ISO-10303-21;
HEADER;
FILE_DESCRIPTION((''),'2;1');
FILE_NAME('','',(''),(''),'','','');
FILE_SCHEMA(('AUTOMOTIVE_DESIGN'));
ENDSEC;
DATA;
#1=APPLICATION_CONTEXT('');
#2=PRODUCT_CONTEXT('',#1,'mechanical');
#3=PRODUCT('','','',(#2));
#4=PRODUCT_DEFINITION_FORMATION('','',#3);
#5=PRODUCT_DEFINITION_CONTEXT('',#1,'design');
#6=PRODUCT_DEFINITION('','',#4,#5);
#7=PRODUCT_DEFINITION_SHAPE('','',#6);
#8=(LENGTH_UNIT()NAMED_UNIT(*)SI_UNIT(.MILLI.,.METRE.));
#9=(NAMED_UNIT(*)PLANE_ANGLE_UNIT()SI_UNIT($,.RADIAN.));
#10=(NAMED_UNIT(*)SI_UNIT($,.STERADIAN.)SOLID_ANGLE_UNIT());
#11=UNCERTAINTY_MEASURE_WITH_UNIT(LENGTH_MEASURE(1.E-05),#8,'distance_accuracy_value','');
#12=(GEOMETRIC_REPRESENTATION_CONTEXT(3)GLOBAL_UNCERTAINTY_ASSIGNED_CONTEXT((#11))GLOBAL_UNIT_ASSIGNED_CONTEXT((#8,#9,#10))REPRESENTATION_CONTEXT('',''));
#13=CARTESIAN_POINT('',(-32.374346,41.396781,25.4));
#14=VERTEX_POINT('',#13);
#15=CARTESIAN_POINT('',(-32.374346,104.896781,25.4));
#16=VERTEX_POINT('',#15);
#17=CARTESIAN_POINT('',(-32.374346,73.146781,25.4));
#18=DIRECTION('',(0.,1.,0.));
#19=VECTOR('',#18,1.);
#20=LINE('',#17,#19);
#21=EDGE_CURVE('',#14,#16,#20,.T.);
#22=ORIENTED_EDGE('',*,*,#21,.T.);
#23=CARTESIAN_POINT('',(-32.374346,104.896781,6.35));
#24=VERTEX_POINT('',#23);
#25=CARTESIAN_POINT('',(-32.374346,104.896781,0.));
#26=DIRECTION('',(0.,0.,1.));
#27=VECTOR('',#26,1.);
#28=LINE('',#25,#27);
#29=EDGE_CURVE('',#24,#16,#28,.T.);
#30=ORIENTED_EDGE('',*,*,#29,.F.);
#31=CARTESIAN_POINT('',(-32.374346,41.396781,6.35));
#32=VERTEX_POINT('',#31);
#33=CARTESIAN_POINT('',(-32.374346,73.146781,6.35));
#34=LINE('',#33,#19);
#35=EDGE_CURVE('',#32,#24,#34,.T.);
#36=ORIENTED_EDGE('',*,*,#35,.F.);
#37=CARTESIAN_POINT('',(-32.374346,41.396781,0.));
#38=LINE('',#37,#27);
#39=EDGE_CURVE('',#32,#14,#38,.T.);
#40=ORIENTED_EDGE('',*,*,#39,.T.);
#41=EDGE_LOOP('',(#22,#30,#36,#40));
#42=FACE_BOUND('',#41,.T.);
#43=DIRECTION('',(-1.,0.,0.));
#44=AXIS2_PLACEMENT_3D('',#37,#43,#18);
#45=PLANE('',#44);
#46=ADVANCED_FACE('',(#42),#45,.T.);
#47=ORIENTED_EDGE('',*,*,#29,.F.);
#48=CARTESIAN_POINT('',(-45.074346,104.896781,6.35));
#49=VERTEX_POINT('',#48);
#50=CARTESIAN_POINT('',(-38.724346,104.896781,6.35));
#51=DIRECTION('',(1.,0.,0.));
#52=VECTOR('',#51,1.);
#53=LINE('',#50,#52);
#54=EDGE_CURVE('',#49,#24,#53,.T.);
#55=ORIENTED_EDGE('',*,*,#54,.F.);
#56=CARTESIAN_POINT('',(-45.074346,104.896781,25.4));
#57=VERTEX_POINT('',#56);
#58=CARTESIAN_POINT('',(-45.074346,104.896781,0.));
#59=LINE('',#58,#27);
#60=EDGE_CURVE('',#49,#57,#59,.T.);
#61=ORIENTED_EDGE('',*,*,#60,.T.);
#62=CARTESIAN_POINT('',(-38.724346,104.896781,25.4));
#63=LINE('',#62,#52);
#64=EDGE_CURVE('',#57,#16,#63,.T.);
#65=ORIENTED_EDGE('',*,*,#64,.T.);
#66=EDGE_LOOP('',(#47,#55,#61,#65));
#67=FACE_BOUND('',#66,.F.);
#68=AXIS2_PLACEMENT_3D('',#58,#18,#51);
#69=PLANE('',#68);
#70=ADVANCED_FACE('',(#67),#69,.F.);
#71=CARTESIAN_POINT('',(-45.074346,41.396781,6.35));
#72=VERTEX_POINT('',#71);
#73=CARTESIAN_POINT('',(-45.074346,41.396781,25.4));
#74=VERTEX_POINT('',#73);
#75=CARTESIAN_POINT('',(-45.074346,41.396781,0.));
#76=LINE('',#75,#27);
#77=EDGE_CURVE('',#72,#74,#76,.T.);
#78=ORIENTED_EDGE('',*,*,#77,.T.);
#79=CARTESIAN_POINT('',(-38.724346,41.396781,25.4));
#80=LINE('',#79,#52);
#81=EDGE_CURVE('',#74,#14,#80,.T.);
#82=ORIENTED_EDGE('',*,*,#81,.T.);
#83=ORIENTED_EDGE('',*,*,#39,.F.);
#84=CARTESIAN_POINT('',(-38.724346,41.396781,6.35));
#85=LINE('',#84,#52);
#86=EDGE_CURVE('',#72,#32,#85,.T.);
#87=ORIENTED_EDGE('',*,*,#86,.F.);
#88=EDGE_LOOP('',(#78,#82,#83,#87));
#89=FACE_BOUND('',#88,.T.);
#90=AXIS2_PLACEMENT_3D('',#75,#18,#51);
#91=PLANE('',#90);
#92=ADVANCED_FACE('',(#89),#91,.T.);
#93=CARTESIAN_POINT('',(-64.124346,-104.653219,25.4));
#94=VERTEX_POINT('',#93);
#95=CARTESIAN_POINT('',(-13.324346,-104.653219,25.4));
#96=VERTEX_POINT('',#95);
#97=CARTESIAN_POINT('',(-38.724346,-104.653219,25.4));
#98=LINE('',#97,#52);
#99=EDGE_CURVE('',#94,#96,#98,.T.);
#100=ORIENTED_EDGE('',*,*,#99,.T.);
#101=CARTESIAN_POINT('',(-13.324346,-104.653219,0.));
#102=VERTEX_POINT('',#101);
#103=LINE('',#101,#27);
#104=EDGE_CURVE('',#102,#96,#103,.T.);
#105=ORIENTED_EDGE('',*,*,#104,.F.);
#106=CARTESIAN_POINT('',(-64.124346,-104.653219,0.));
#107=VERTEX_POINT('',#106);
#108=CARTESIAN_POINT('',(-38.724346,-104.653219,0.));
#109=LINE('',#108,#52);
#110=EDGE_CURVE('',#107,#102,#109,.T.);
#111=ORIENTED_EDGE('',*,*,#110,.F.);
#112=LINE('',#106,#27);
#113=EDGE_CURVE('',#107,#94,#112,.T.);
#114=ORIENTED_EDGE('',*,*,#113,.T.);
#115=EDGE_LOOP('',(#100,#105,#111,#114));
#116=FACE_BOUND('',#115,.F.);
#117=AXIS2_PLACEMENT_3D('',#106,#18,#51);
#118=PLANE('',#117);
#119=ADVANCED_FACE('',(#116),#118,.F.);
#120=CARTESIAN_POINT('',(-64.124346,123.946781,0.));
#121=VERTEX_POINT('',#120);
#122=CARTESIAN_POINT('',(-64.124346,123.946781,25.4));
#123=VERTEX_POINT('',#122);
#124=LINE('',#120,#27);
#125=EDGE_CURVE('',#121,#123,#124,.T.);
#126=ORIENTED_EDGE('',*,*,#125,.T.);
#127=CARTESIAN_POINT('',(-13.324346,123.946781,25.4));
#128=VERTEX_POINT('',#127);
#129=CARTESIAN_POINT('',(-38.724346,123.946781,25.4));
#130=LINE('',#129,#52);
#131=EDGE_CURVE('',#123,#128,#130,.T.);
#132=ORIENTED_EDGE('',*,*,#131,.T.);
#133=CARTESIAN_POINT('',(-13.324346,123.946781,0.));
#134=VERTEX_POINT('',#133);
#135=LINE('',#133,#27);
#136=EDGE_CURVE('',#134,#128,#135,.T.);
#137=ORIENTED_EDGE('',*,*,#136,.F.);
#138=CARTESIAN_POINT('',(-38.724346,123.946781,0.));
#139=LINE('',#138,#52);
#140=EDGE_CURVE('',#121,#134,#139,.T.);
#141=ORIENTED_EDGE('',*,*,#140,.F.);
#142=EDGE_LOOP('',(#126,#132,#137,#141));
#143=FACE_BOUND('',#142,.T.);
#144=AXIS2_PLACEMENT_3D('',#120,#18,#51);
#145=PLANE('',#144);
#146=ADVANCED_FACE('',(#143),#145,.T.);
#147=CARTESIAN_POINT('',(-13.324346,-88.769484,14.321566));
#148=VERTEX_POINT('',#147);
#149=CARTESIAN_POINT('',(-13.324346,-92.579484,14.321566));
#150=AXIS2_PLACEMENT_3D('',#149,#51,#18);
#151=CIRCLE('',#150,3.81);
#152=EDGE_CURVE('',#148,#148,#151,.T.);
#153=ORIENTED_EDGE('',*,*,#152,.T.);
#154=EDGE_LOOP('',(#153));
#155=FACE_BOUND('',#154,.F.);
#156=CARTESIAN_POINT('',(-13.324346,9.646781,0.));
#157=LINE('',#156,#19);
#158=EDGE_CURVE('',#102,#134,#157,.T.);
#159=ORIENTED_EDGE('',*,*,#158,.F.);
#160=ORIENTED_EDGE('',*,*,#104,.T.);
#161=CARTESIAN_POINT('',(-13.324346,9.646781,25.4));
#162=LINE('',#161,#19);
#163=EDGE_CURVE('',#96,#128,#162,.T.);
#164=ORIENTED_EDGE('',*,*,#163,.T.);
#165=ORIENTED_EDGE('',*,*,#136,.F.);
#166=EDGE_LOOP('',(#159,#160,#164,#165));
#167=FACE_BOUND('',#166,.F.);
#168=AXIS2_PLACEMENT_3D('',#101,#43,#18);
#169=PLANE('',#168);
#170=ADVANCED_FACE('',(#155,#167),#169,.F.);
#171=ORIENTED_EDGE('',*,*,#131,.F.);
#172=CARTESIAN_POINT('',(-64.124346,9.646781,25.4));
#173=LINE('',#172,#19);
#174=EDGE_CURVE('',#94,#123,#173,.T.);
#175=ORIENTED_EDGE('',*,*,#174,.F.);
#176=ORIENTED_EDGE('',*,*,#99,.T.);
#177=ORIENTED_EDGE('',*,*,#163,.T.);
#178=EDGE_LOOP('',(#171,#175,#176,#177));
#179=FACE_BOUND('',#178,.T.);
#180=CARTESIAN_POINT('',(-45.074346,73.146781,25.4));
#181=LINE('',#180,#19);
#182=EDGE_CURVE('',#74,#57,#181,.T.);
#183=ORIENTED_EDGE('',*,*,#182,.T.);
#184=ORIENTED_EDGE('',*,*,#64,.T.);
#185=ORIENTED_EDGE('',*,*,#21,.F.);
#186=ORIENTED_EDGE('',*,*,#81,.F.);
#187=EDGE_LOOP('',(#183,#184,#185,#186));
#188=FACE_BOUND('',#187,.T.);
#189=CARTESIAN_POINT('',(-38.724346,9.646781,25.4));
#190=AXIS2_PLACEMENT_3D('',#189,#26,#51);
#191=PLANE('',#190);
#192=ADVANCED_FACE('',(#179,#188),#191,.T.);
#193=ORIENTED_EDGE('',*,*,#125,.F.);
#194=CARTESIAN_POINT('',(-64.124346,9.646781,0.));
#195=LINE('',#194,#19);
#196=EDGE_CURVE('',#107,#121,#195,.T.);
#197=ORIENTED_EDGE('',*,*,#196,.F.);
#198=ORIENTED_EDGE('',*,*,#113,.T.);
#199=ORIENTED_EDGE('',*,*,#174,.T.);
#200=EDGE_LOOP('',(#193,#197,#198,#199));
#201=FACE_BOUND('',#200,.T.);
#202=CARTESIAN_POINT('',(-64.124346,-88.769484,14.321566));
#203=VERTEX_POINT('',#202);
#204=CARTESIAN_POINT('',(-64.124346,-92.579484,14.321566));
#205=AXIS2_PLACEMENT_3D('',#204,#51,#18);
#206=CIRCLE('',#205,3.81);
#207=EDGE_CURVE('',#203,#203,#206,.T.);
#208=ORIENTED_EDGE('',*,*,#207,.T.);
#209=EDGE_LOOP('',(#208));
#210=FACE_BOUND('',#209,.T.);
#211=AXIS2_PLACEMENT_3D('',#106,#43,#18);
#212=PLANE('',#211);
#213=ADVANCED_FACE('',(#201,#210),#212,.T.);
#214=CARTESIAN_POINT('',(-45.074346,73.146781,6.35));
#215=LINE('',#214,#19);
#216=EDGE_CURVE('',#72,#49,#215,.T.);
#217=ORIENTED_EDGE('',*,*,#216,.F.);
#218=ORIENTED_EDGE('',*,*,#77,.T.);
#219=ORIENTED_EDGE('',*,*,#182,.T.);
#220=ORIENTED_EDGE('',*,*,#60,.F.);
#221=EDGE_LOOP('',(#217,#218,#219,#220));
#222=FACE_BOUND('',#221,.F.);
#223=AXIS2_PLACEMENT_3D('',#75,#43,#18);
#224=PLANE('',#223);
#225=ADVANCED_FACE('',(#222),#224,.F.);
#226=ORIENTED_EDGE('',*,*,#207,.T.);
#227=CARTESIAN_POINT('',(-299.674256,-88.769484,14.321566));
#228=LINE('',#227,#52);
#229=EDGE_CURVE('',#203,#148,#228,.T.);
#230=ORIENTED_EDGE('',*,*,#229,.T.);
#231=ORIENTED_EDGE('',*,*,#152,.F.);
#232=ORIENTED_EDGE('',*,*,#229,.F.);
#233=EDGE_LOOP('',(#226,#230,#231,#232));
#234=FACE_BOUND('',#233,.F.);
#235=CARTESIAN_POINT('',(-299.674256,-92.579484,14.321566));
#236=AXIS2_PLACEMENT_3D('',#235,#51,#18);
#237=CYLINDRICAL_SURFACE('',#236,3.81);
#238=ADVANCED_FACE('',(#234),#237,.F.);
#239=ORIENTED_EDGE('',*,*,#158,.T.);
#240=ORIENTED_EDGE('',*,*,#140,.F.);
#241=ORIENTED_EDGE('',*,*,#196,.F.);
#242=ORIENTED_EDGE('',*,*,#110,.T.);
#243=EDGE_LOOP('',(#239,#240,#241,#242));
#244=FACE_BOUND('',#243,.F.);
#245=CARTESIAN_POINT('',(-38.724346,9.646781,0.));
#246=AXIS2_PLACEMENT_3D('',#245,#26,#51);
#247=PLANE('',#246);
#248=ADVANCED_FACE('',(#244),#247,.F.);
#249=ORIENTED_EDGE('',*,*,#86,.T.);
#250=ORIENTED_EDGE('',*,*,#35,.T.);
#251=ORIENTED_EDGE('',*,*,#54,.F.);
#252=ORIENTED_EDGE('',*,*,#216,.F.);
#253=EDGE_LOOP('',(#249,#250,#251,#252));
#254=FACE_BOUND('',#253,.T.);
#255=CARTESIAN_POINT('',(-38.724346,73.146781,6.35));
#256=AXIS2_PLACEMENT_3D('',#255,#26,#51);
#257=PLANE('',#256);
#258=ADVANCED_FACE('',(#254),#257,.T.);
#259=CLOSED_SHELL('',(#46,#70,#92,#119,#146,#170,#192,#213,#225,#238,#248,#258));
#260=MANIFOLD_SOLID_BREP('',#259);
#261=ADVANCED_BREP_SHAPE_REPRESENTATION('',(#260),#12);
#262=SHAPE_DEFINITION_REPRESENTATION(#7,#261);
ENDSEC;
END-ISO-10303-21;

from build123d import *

# Parameters (mm, degrees)
F0_W     = 12.7
F0_H     = 63.5
F1_DEPTH = 6.35
F0_W_2   = 50.8
F0_H_2   = 228.6
F2_DEPTH = 25.4
F4_D     = 7.62


with BuildPart() as f1:
    # F0 (on Top) → F1 (new body)
    with BuildSketch(Plane.XY):
        with Locations((-38.724346, 73.146781)):
            Rectangle(F0_W, F0_H)
    extrude(amount=F1_DEPTH)

    # F0 (on Top) → F2 (join)
    with BuildSketch(Plane.XY):
        with Locations((-38.724346, 9.646781)):
            Rectangle(F0_W_2, F0_H_2)
        with Locations((-38.724346, 73.146781)):
            Rectangle(F0_W, F0_H, mode=Mode.SUBTRACT)
    extrude(amount=F2_DEPTH)

    # F4 (through all)
    with Locations(Plane(origin=(-64.124346, 0, 0), x_dir=(0, -1, 0), z_dir=(-1, 0, 0))):
        with Locations((92.579484, 14.321566)):
            Hole(F4_D / 2)


solid = f1.part
